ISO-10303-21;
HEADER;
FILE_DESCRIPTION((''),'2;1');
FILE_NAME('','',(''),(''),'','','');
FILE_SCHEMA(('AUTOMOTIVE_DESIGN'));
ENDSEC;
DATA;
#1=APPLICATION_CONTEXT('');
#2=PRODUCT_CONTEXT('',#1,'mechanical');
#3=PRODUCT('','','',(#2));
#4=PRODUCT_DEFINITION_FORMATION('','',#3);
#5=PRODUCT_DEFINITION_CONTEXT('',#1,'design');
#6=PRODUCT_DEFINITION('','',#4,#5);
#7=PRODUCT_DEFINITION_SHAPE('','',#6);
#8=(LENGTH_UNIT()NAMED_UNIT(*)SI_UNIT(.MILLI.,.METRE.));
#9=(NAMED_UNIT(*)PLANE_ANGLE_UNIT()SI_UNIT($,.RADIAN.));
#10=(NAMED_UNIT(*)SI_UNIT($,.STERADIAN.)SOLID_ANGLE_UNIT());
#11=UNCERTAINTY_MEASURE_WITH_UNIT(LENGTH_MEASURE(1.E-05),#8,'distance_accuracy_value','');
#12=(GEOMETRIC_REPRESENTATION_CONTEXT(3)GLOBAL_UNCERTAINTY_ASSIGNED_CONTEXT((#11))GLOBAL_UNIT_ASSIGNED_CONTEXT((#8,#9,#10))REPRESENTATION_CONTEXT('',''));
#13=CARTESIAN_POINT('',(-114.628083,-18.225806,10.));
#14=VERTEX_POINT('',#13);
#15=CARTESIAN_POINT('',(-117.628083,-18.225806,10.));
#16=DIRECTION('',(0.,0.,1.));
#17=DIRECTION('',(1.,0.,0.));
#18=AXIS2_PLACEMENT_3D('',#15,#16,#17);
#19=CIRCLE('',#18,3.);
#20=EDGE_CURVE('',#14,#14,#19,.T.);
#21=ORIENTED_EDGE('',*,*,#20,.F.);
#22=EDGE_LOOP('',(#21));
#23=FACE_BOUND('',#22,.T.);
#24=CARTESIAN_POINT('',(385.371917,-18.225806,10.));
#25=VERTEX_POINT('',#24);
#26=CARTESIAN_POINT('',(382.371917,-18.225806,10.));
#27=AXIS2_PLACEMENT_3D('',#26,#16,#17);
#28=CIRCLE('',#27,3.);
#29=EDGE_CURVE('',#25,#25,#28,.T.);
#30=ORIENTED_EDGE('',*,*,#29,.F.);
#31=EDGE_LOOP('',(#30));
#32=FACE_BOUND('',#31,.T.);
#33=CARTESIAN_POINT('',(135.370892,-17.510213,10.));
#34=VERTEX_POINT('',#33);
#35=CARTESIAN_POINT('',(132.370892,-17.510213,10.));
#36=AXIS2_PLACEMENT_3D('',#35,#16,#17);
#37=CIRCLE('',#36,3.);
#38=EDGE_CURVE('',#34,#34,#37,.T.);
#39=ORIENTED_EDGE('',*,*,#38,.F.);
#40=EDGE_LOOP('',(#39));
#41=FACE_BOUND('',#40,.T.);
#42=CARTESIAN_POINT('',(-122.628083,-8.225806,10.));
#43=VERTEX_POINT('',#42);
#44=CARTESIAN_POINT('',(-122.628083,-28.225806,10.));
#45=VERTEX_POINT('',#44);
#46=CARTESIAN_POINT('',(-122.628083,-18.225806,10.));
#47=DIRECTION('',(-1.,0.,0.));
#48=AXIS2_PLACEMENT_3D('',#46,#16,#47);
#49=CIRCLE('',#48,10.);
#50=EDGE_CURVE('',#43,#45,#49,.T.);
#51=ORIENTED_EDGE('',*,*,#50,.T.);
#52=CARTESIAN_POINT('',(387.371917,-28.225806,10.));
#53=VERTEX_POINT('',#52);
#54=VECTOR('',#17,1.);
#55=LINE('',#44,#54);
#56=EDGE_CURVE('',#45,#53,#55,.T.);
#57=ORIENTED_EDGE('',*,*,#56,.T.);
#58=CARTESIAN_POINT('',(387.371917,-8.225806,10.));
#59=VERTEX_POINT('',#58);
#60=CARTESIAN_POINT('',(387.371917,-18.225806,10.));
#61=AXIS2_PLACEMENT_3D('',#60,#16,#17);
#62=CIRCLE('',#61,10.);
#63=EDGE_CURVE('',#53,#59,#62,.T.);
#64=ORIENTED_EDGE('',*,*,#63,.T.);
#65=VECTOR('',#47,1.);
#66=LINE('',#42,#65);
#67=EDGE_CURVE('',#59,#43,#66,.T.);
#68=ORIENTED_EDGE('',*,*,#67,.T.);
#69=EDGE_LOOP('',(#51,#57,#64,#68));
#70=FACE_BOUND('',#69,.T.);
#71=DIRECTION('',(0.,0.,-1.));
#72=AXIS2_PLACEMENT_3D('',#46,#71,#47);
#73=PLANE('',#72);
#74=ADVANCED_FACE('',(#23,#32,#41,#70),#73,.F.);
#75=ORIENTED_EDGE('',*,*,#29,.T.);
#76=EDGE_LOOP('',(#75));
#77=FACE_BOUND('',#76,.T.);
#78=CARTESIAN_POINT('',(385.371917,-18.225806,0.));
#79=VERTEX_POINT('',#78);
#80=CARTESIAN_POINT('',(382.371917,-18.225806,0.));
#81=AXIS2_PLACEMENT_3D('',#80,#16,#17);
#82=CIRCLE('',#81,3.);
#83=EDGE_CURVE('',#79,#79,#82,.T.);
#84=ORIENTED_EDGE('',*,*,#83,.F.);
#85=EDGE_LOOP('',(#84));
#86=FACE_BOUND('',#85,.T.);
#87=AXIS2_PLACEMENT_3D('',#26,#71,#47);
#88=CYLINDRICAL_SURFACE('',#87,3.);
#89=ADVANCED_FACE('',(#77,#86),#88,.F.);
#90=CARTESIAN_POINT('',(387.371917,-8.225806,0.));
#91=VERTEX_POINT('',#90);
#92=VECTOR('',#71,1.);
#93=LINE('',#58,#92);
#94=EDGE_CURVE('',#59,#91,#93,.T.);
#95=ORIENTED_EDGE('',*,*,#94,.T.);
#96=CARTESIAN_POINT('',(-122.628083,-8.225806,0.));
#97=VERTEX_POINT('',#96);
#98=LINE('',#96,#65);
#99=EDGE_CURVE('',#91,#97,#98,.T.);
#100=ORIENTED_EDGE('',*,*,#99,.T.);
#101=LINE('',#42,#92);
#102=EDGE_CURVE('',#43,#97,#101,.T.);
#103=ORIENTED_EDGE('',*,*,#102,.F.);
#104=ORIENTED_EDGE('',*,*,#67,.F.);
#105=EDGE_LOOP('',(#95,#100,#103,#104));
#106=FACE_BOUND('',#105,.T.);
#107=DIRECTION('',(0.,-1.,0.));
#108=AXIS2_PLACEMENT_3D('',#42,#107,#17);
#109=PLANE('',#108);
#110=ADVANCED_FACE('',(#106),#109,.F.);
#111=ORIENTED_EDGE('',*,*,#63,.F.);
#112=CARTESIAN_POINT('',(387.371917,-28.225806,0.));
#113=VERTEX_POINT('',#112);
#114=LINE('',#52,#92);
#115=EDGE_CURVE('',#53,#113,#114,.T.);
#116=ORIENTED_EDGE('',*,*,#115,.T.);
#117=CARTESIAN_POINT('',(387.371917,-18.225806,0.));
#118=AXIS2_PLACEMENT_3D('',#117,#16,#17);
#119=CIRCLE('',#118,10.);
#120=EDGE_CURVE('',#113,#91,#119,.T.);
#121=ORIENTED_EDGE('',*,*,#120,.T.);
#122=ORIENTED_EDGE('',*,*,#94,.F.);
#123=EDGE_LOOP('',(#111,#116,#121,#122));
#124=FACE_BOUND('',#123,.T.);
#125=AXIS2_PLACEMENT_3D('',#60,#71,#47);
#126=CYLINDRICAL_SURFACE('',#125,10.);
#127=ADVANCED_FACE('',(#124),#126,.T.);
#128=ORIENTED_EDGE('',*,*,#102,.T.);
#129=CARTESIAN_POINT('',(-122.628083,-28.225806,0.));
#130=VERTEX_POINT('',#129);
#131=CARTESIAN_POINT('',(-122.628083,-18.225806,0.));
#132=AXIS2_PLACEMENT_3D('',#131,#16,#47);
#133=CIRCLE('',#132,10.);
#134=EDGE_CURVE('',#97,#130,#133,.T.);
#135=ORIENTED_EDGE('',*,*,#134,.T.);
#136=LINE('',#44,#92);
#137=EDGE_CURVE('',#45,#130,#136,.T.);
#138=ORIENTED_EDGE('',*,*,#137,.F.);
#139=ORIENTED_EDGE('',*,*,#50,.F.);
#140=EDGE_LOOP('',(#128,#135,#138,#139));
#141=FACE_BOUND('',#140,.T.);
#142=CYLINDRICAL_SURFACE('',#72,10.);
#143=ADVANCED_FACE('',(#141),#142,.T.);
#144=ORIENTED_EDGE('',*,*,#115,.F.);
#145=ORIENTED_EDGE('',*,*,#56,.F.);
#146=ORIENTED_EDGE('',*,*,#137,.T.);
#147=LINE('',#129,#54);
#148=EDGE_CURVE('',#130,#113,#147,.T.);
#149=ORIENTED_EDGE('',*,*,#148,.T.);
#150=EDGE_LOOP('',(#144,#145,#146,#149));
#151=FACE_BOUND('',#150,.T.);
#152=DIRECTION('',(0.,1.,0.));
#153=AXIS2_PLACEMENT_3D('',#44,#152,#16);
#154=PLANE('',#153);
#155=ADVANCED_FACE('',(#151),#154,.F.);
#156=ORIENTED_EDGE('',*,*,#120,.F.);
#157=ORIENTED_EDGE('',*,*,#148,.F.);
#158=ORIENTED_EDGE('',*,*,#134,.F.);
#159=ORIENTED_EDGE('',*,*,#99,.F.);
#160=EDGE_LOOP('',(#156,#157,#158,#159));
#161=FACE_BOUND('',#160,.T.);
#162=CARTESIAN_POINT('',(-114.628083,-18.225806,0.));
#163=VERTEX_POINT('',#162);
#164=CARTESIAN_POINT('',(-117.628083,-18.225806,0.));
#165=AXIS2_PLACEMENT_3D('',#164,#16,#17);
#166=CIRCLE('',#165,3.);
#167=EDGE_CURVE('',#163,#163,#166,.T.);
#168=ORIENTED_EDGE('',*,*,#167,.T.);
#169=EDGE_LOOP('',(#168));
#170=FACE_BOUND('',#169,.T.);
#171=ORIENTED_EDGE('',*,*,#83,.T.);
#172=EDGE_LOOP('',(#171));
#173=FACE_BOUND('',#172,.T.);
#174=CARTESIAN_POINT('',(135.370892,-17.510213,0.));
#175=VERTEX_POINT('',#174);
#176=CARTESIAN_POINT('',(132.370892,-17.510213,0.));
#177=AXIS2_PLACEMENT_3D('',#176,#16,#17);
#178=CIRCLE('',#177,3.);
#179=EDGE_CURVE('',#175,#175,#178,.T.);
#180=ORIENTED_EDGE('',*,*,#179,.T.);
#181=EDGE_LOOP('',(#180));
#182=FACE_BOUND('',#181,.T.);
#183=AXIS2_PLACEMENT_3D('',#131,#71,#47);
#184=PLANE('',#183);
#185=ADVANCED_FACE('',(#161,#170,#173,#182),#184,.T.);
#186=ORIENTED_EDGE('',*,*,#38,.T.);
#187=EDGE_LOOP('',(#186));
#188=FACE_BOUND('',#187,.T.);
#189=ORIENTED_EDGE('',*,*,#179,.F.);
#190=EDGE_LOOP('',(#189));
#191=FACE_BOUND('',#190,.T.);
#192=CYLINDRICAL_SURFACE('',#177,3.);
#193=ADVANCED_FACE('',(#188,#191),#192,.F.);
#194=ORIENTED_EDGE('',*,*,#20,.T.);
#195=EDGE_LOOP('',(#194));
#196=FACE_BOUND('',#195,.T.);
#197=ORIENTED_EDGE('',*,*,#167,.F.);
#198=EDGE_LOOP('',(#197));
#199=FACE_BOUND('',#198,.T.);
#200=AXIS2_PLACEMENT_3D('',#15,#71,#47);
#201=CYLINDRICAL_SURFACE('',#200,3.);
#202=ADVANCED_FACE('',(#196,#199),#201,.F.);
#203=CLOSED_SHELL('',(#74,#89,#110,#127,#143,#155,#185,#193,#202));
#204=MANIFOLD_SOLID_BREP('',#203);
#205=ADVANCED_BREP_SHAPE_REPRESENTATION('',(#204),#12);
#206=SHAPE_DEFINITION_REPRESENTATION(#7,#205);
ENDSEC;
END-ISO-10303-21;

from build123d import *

# Parameters (mm, degrees)
ESQUISSE1_R             = 3
BOSS_EXTRU_1_DEPTH      = 10
ENL_V_START             = -10
ESQUISSE2_R             = 3
ENL_V_MAT_EXTRU_1_DEPTH = 10


with BuildPart() as part:
    # Esquisse1 → Boss.-Extru.1 (new body)
    with BuildSketch(Plane.XY):
        with BuildLine():
            Line((-122.628083491, -8.225806452), (387.371916509, -8.225806452))
            ThreePointArc((387.371916509, -8.225806452), (397.371916509, -18.225806452), (387.371916509, -28.225806452))
            Line((387.371916509, -28.225806452), (-122.628083491, -28.225806452))
            ThreePointArc((-122.628083491, -28.225806452), (-132.628083491, -18.225806452), (-122.628083491, -8.225806452))
        make_face()
        with Locations((-117.628083491, -18.225806452)):
            Circle(ESQUISSE1_R, mode=Mode.SUBTRACT)
        with Locations((382.371916509, -18.225806452)):
            Circle(ESQUISSE1_R, mode=Mode.SUBTRACT)
    extrude(amount=BOSS_EXTRU_1_DEPTH)

    # Esquisse2 → Enlèv. mat.-Extru.1 (cut)
    with BuildSketch(Plane.XY.offset(10).offset(ENL_V_START)):
        with Locations((132.370892359, -17.510213181)):
            Circle(ESQUISSE2_R)
        with Locations((-117.628083491, -18.225806452)):
            Circle(ESQUISSE2_R)
    extrude(amount=ENL_V_MAT_EXTRU_1_DEPTH, mode=Mode.SUBTRACT)


solid = part.part
